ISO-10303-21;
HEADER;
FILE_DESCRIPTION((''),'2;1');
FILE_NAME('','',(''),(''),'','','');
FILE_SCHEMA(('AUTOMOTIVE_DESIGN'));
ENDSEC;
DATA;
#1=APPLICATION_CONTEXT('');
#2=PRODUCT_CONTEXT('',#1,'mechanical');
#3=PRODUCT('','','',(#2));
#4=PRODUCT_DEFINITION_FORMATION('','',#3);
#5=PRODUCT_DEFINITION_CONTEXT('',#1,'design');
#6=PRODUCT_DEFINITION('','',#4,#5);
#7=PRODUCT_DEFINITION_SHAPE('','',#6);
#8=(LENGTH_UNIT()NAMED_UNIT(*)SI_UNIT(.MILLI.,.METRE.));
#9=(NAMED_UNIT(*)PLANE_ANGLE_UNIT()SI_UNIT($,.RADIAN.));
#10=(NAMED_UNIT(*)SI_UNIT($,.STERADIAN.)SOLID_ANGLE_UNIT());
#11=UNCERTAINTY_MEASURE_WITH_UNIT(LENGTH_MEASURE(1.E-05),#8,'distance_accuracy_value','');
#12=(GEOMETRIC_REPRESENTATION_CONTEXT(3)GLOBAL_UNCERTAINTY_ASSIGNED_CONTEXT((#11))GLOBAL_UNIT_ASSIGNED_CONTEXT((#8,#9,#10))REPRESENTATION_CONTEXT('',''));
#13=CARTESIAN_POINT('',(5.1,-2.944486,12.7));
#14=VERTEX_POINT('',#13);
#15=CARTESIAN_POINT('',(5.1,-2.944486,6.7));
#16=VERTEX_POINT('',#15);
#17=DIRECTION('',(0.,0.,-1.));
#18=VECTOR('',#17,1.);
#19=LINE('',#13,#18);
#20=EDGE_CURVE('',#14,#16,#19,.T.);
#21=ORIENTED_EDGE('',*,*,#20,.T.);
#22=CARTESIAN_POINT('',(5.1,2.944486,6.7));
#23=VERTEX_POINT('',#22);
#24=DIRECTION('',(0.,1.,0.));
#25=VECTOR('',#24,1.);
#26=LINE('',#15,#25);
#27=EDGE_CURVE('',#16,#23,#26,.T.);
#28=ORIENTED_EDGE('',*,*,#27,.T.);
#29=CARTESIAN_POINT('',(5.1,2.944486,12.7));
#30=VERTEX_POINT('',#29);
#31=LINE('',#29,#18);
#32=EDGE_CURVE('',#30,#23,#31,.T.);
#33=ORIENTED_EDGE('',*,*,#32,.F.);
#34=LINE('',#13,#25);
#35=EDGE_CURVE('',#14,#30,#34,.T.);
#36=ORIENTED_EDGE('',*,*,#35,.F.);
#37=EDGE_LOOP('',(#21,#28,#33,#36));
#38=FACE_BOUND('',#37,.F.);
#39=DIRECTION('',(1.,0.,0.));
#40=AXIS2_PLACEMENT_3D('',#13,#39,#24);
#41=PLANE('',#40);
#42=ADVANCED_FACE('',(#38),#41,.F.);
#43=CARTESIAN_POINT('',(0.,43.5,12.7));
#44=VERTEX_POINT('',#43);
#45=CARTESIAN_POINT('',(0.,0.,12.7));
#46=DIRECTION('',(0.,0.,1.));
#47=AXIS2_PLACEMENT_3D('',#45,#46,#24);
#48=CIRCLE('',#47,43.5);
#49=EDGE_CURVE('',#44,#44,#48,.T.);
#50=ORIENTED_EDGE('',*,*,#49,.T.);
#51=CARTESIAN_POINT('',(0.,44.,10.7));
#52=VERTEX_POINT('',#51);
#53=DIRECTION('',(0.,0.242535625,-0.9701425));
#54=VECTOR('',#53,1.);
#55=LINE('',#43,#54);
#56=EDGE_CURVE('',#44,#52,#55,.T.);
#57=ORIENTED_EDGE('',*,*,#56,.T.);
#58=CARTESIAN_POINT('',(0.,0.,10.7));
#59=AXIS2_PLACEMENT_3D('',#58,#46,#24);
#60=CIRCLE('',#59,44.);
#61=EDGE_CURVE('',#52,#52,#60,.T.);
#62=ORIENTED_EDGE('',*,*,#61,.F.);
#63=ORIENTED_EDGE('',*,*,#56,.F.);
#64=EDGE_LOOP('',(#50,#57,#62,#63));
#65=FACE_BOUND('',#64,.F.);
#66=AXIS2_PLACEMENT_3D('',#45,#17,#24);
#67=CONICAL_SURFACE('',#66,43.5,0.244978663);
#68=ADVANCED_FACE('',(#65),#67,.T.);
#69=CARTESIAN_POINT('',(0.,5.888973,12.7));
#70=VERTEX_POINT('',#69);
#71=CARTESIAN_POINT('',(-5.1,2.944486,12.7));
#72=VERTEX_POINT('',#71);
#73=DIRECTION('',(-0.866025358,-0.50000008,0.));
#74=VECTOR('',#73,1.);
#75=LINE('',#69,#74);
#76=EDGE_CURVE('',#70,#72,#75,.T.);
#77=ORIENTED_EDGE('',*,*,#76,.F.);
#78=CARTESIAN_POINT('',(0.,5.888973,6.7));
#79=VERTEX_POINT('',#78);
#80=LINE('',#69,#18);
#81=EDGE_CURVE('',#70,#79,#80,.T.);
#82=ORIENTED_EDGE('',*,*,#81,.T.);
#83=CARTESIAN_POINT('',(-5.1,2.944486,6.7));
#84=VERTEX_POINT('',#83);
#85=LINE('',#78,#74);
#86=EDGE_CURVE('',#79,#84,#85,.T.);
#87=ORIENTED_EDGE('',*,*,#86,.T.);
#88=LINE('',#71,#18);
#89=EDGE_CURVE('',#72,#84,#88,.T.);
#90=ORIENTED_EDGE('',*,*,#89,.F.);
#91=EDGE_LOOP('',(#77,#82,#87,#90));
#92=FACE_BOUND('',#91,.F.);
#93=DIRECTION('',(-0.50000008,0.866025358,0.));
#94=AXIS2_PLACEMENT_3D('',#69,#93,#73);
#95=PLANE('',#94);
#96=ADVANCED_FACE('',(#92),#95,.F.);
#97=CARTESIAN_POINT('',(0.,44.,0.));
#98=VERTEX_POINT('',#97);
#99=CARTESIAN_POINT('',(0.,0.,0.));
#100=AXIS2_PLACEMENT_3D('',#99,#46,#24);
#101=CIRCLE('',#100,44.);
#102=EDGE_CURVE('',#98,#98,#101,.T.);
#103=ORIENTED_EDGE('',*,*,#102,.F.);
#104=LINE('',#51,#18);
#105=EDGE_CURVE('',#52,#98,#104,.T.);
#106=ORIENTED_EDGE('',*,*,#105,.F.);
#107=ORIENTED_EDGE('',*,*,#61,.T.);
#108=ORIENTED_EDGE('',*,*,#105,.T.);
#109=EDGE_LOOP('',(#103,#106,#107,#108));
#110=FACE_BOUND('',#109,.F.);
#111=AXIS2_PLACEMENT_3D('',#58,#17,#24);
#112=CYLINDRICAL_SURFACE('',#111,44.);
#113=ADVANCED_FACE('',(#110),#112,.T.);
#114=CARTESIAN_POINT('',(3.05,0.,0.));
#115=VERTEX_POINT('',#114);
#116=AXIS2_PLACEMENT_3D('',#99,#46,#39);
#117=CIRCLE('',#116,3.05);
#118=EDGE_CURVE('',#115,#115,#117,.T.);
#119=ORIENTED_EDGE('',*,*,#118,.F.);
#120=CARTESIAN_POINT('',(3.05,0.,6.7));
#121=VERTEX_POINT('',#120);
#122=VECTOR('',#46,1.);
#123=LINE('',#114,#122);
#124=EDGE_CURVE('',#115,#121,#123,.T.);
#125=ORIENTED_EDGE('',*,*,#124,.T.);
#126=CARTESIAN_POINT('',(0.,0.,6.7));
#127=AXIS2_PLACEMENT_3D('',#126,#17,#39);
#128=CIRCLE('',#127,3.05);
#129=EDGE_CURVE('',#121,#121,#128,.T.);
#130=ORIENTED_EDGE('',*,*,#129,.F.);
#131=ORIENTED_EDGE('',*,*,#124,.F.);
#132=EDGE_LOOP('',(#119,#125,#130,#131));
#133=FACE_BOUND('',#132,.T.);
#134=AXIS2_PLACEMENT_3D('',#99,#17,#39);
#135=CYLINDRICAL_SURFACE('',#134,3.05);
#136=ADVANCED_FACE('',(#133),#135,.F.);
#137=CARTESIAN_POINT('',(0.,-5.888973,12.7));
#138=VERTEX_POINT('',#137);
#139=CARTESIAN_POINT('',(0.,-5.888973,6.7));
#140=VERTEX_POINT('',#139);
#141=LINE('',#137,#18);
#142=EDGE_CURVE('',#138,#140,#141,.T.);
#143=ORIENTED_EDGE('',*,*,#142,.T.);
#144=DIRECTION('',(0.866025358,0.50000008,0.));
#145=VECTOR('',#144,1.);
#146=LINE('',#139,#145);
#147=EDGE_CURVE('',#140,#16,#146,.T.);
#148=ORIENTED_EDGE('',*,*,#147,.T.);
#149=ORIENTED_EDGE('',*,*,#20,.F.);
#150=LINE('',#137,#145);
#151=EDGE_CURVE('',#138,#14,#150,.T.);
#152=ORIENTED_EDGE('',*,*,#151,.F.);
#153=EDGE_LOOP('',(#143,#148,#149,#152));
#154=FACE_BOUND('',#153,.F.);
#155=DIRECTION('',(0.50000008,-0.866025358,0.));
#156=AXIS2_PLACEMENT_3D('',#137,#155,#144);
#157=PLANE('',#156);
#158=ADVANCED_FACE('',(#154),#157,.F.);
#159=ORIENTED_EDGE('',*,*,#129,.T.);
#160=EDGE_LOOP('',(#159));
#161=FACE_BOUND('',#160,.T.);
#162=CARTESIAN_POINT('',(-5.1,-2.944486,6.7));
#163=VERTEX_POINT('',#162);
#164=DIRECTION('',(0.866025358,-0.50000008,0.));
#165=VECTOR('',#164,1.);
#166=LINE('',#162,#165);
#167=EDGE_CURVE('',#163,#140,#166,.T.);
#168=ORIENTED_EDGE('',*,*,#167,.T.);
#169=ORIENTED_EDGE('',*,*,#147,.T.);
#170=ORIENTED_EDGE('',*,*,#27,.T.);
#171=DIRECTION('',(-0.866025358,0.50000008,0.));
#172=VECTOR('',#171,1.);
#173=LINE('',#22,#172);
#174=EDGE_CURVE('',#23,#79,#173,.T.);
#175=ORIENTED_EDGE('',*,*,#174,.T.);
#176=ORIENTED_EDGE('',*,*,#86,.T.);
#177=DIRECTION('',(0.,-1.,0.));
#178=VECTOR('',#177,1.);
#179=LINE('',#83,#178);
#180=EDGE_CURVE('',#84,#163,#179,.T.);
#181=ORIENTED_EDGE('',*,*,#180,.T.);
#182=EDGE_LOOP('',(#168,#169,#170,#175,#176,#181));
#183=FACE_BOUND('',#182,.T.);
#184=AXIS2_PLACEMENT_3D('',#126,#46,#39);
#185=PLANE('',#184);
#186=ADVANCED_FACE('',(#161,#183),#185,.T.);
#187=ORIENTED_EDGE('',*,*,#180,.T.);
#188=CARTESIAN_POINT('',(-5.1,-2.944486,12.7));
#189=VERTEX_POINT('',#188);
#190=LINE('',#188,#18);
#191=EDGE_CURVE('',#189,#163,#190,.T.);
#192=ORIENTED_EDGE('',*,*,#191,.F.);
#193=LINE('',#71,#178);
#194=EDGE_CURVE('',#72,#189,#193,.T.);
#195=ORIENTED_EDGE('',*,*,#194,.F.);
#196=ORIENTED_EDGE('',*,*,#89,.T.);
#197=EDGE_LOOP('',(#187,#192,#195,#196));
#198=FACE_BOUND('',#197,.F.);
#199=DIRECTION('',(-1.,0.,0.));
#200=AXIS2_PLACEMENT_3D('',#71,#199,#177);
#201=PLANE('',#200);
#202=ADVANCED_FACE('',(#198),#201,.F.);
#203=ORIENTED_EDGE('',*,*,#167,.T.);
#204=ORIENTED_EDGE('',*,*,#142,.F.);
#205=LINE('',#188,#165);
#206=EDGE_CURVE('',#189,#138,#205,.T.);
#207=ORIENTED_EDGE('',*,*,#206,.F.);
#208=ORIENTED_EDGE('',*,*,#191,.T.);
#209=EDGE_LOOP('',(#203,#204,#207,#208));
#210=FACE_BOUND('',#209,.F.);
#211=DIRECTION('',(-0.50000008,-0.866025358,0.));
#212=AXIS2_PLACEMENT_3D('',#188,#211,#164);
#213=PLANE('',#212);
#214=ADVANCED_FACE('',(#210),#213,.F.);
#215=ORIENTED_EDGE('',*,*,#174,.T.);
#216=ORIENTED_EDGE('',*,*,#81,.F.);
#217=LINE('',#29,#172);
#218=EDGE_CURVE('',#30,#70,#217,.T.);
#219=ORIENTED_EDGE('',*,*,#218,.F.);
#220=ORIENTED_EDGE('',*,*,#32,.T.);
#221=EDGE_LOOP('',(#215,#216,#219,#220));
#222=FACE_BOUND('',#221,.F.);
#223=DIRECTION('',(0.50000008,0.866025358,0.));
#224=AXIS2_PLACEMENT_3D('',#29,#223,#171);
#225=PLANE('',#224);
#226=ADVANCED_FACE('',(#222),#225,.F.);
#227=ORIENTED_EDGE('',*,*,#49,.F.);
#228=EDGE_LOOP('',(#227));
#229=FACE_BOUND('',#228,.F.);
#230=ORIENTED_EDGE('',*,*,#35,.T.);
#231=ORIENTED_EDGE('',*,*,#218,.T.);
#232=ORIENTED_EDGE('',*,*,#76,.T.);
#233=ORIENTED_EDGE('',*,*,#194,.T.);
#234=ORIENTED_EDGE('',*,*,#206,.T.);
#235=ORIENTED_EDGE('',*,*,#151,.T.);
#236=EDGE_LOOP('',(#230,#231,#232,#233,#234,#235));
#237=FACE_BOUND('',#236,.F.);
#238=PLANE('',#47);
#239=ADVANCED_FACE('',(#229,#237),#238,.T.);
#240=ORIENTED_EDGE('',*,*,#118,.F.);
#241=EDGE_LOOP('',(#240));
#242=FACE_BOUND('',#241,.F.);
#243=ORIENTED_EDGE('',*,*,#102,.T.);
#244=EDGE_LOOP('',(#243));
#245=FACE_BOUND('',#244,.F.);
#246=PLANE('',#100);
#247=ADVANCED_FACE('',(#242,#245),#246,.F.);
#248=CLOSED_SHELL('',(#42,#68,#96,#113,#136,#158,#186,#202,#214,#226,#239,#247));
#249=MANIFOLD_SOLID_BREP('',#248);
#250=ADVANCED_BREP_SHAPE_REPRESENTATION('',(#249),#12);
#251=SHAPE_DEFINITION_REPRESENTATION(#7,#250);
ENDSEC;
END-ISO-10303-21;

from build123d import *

# Parameters (mm, degrees)
SKETCH001_R       = 3.05
POCKET_DEPTH      = 0.001
POCKET_DEPTH_BACK = -12.701
POCKET001_DEPTH   = 6


with BuildPart() as part:
    # Sketch → Revolution (revolve)
    with BuildSketch(Plane.YZ):
        Polygon((0, 12.7), (43.5, 12.7), (44, 10.7), (44, 0), (0, 0), align=None)
    revolve(axis=Axis((0, 0, 0), (0, 0, 1)))

    # Sketch001 → Pocket (cut, two sides)
    with BuildSketch(Plane.XY) as pocket_sk:
        Circle(SKETCH001_R)
    extrude(amount=-POCKET_DEPTH, mode=Mode.SUBTRACT)
    extrude(pocket_sk.sketch, amount=-POCKET_DEPTH_BACK, mode=Mode.SUBTRACT)

    # Sketch002 → Pocket001 (cut)
    with BuildSketch(Plane.XY.offset(12.7)):
        Polygon((0, 5.888973), (-5.1, 2.944486), (-5.1, -2.944486), (0, -5.888973), (5.1, -2.944486), (5.1, 2.944486), align=None)
    extrude(amount=-POCKET001_DEPTH, mode=Mode.SUBTRACT)


solid = part.part
